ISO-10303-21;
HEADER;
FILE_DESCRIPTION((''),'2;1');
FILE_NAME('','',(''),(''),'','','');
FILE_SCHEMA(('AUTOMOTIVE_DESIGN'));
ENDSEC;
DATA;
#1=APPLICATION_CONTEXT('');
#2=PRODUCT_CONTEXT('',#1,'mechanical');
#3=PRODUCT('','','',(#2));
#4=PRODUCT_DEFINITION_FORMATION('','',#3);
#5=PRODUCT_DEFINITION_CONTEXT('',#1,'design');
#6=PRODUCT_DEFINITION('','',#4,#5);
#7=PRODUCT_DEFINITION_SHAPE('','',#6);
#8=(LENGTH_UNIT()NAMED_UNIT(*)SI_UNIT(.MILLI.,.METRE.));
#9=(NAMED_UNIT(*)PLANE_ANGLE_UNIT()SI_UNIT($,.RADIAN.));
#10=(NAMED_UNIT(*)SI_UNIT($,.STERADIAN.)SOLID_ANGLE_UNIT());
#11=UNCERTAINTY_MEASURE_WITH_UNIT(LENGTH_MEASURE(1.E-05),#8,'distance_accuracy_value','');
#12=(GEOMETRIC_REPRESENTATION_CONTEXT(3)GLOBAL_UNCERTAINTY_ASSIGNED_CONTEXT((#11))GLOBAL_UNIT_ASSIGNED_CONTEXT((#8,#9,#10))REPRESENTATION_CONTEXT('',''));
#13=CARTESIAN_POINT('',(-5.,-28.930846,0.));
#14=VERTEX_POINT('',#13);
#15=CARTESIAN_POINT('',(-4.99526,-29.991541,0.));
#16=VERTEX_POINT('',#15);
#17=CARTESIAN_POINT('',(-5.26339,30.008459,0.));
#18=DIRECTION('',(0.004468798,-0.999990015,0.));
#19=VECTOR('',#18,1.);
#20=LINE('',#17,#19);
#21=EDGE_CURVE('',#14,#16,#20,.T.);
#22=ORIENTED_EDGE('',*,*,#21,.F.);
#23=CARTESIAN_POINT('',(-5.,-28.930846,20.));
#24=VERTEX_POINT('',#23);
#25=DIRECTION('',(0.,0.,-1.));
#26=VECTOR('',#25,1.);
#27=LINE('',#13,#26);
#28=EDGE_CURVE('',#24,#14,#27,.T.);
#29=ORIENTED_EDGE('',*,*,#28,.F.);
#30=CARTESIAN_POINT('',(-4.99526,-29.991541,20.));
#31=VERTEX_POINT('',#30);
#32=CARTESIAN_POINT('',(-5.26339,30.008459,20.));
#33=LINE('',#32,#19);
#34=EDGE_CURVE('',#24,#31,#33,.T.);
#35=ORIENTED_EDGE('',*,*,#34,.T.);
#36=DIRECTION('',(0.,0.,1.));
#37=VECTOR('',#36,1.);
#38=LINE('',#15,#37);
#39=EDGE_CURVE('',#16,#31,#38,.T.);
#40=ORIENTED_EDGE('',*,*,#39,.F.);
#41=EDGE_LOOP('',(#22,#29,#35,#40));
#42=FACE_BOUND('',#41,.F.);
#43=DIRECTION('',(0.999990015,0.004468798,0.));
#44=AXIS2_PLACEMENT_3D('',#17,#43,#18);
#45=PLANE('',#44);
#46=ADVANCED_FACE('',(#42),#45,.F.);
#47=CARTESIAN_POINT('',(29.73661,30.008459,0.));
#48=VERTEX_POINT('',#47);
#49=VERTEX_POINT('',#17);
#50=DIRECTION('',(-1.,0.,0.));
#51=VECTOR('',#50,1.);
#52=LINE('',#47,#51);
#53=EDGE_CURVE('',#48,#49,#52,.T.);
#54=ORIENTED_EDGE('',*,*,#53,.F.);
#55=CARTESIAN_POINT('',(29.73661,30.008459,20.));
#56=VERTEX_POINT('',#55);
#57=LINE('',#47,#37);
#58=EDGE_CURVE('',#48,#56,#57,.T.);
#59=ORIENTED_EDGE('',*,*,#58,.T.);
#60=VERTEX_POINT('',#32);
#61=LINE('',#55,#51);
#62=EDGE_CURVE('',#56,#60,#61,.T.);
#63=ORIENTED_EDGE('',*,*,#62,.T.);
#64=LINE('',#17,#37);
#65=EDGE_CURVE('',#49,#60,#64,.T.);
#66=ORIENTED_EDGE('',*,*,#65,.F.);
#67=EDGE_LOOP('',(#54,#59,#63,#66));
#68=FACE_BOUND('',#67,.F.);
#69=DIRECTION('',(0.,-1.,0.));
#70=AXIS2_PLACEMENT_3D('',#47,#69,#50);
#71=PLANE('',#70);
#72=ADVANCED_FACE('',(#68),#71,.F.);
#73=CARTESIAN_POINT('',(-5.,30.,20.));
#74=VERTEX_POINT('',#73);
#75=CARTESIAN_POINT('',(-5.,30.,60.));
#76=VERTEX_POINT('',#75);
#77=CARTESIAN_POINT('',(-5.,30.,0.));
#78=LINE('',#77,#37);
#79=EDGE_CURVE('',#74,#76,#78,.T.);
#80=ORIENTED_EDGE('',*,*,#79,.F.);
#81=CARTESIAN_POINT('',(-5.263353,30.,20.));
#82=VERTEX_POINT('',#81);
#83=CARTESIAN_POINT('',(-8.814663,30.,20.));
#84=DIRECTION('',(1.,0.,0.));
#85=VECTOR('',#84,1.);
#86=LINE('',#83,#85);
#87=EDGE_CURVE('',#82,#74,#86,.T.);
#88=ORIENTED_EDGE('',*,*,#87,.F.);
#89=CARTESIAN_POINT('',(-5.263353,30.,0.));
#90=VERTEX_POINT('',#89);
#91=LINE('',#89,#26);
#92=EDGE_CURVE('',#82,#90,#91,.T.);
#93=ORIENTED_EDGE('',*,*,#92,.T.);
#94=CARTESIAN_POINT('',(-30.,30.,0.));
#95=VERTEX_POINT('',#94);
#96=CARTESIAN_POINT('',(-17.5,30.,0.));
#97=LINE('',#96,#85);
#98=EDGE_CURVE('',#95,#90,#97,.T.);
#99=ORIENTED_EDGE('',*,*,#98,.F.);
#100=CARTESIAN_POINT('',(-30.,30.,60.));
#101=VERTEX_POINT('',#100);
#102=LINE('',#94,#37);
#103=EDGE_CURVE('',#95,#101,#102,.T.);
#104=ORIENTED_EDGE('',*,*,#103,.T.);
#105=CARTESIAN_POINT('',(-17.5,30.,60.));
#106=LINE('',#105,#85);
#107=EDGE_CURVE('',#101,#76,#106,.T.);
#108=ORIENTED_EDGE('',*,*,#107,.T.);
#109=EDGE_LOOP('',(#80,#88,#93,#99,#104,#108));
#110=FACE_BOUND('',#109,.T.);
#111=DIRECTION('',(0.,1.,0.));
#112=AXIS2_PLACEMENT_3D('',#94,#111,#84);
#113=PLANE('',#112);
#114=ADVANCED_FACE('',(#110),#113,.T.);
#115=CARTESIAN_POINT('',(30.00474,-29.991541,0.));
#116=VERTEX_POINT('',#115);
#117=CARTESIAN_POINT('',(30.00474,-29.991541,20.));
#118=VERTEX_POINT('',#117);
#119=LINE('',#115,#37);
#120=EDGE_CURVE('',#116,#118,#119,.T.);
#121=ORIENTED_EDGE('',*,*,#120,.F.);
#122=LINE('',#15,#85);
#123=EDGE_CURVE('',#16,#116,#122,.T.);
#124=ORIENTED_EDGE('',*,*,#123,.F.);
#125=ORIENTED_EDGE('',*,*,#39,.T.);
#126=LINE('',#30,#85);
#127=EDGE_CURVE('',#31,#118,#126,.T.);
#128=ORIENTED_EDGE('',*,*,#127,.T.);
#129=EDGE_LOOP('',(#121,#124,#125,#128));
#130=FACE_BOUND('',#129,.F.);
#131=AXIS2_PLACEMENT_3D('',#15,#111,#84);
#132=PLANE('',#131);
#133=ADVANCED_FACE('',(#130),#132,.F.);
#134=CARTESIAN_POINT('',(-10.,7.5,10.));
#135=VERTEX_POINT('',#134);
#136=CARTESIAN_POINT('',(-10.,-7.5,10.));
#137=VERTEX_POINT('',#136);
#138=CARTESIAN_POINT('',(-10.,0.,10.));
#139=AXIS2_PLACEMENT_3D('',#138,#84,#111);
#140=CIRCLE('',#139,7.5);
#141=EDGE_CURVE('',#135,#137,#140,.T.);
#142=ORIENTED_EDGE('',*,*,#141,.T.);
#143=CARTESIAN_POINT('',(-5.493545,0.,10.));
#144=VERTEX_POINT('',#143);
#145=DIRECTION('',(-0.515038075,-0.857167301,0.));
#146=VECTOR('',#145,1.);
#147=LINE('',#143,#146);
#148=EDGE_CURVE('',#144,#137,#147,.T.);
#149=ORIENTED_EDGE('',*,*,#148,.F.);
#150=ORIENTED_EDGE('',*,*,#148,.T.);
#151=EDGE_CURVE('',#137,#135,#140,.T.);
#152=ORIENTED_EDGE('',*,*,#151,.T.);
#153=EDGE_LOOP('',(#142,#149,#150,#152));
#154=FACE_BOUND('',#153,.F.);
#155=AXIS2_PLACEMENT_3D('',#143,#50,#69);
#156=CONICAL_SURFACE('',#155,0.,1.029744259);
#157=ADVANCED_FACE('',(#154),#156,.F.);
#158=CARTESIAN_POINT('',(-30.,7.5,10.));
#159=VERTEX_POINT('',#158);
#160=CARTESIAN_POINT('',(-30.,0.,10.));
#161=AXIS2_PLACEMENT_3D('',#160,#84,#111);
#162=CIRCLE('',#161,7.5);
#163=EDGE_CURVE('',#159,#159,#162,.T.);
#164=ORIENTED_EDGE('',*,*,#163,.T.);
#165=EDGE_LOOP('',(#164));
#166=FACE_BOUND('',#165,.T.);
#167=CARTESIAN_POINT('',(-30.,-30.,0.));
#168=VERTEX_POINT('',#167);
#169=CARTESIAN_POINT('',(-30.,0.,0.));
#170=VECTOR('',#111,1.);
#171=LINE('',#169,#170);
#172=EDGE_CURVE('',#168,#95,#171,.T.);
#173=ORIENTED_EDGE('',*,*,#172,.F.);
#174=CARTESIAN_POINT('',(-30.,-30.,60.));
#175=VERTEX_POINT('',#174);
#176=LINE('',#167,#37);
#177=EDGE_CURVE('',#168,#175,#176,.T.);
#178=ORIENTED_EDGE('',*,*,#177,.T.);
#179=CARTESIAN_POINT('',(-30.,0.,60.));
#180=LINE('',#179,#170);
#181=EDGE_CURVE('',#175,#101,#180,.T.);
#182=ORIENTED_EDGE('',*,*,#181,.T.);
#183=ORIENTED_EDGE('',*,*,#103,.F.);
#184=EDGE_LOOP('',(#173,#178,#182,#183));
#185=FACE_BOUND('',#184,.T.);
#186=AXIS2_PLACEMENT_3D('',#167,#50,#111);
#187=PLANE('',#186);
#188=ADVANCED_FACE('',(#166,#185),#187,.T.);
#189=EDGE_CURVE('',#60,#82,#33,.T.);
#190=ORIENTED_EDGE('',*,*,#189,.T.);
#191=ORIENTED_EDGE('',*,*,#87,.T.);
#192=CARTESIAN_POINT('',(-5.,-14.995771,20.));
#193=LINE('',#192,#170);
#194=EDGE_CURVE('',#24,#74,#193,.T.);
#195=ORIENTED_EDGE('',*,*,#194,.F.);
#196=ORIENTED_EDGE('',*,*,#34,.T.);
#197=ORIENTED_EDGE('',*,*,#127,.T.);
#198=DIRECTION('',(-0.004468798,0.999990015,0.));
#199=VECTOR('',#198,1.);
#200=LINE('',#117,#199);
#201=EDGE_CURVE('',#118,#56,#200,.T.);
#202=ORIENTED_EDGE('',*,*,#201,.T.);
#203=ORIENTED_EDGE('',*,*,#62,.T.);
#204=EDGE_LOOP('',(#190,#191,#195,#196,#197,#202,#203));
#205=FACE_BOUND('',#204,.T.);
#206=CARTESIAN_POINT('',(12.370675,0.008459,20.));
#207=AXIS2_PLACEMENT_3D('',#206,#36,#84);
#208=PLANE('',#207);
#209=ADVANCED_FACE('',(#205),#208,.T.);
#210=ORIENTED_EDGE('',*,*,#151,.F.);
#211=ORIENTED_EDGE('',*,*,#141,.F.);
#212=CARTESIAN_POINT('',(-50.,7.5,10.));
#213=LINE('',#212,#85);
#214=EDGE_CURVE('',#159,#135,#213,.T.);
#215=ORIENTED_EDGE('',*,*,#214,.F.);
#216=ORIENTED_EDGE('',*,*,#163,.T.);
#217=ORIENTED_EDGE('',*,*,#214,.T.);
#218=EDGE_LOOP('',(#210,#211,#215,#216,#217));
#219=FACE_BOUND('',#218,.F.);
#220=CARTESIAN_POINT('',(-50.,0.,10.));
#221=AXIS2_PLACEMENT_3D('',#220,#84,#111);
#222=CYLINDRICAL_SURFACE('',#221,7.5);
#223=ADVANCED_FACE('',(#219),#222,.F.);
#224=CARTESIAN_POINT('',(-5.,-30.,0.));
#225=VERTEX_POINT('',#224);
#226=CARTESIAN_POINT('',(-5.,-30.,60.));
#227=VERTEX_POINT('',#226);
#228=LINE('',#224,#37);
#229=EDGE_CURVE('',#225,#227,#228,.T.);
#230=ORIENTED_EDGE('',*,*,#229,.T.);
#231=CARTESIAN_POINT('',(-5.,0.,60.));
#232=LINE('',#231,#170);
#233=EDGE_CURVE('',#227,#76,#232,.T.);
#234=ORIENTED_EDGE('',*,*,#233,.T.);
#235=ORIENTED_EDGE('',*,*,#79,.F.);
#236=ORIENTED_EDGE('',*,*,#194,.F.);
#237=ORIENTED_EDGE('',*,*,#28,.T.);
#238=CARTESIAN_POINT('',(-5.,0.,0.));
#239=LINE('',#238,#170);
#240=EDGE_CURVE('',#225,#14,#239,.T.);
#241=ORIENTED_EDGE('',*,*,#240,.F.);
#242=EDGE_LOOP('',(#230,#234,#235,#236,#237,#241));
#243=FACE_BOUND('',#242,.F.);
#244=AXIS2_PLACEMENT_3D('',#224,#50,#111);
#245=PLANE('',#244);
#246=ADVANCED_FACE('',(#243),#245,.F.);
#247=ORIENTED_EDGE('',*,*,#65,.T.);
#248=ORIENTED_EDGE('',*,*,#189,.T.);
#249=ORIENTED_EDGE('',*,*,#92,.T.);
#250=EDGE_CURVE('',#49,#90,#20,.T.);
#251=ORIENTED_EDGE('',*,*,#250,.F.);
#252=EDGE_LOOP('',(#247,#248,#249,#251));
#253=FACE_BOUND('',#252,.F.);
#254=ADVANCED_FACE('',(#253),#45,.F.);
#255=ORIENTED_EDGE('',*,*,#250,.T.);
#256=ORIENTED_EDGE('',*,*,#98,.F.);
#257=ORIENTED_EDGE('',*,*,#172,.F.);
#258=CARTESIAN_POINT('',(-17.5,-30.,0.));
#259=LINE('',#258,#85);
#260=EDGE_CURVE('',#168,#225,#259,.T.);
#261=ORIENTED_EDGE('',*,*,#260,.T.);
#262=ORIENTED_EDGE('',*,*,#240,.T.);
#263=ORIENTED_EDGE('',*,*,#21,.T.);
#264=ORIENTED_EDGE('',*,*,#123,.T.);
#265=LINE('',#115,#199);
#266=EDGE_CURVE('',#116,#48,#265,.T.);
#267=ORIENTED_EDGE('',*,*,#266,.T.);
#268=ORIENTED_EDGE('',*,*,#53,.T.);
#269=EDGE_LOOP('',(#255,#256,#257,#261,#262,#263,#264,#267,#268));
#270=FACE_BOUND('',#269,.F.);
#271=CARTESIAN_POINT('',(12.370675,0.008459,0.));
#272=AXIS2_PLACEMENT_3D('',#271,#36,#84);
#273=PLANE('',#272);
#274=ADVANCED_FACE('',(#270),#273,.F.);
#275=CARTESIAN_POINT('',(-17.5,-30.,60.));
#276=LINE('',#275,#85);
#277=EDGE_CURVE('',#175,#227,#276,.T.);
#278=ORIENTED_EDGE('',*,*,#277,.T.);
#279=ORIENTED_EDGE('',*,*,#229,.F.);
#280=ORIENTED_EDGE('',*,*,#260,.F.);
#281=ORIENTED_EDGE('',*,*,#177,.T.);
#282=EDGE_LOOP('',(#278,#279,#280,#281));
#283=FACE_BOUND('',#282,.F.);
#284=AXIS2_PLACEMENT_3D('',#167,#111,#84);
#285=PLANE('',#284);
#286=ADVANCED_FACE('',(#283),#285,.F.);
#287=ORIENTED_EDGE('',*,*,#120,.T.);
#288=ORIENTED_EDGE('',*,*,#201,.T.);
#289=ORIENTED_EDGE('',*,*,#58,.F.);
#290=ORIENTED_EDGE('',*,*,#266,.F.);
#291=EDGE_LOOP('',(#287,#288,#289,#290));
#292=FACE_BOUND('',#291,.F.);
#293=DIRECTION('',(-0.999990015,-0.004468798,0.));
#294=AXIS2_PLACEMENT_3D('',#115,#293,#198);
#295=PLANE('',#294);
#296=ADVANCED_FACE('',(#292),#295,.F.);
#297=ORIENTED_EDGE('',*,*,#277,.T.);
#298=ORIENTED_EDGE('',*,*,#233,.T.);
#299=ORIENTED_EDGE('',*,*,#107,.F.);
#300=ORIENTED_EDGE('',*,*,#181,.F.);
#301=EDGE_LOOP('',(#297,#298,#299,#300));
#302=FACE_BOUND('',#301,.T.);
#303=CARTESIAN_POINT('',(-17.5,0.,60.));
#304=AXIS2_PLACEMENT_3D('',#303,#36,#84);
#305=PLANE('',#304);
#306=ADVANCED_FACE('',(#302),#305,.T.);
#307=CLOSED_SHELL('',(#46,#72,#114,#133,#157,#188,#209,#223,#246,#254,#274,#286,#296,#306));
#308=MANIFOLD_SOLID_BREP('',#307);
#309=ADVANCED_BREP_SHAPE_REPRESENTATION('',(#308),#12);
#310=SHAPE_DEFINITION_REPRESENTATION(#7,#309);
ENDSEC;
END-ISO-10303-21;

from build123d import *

# Parameters (mm, degrees)
F0_W     = 25
F0_H     = 60
F1_DEPTH = 60
F3_DEPTH = 20
F5_D     = 15
F5_DEPTH = 20
F5_TIP   = 4.5064546427


with BuildPart() as f1:
    # F0 (on Top) → F1 (new body)
    with BuildSketch(Plane.XY):
        with Locations((-17.5, 0)):
            Rectangle(F0_W, F0_H)
    extrude(amount=F1_DEPTH)

    # F2 (on Top) → F3 (join)
    with BuildSketch(Plane.XY):
        Polygon((29.7366095148, 30.0084589422), (-5.2633904852, 30.0084589422), (-4.995259922, -29.9915410578), (30.004740078, -29.9915410578), align=None)
    extrude(amount=F3_DEPTH)

    # F5
    with Locations(Plane(origin=(-30, 0, 0), x_dir=(0, -1, 0), z_dir=(-1, 0, 0))):
        with Locations((0, 10)):
            Hole(F5_D / 2, depth=F5_DEPTH)
            with Locations((0, 0, -(F5_DEPTH + F5_TIP / 2))):  # 118° drill point
                Cone(0, F5_D / 2, F5_TIP, mode=Mode.SUBTRACT)


solid = f1.part
